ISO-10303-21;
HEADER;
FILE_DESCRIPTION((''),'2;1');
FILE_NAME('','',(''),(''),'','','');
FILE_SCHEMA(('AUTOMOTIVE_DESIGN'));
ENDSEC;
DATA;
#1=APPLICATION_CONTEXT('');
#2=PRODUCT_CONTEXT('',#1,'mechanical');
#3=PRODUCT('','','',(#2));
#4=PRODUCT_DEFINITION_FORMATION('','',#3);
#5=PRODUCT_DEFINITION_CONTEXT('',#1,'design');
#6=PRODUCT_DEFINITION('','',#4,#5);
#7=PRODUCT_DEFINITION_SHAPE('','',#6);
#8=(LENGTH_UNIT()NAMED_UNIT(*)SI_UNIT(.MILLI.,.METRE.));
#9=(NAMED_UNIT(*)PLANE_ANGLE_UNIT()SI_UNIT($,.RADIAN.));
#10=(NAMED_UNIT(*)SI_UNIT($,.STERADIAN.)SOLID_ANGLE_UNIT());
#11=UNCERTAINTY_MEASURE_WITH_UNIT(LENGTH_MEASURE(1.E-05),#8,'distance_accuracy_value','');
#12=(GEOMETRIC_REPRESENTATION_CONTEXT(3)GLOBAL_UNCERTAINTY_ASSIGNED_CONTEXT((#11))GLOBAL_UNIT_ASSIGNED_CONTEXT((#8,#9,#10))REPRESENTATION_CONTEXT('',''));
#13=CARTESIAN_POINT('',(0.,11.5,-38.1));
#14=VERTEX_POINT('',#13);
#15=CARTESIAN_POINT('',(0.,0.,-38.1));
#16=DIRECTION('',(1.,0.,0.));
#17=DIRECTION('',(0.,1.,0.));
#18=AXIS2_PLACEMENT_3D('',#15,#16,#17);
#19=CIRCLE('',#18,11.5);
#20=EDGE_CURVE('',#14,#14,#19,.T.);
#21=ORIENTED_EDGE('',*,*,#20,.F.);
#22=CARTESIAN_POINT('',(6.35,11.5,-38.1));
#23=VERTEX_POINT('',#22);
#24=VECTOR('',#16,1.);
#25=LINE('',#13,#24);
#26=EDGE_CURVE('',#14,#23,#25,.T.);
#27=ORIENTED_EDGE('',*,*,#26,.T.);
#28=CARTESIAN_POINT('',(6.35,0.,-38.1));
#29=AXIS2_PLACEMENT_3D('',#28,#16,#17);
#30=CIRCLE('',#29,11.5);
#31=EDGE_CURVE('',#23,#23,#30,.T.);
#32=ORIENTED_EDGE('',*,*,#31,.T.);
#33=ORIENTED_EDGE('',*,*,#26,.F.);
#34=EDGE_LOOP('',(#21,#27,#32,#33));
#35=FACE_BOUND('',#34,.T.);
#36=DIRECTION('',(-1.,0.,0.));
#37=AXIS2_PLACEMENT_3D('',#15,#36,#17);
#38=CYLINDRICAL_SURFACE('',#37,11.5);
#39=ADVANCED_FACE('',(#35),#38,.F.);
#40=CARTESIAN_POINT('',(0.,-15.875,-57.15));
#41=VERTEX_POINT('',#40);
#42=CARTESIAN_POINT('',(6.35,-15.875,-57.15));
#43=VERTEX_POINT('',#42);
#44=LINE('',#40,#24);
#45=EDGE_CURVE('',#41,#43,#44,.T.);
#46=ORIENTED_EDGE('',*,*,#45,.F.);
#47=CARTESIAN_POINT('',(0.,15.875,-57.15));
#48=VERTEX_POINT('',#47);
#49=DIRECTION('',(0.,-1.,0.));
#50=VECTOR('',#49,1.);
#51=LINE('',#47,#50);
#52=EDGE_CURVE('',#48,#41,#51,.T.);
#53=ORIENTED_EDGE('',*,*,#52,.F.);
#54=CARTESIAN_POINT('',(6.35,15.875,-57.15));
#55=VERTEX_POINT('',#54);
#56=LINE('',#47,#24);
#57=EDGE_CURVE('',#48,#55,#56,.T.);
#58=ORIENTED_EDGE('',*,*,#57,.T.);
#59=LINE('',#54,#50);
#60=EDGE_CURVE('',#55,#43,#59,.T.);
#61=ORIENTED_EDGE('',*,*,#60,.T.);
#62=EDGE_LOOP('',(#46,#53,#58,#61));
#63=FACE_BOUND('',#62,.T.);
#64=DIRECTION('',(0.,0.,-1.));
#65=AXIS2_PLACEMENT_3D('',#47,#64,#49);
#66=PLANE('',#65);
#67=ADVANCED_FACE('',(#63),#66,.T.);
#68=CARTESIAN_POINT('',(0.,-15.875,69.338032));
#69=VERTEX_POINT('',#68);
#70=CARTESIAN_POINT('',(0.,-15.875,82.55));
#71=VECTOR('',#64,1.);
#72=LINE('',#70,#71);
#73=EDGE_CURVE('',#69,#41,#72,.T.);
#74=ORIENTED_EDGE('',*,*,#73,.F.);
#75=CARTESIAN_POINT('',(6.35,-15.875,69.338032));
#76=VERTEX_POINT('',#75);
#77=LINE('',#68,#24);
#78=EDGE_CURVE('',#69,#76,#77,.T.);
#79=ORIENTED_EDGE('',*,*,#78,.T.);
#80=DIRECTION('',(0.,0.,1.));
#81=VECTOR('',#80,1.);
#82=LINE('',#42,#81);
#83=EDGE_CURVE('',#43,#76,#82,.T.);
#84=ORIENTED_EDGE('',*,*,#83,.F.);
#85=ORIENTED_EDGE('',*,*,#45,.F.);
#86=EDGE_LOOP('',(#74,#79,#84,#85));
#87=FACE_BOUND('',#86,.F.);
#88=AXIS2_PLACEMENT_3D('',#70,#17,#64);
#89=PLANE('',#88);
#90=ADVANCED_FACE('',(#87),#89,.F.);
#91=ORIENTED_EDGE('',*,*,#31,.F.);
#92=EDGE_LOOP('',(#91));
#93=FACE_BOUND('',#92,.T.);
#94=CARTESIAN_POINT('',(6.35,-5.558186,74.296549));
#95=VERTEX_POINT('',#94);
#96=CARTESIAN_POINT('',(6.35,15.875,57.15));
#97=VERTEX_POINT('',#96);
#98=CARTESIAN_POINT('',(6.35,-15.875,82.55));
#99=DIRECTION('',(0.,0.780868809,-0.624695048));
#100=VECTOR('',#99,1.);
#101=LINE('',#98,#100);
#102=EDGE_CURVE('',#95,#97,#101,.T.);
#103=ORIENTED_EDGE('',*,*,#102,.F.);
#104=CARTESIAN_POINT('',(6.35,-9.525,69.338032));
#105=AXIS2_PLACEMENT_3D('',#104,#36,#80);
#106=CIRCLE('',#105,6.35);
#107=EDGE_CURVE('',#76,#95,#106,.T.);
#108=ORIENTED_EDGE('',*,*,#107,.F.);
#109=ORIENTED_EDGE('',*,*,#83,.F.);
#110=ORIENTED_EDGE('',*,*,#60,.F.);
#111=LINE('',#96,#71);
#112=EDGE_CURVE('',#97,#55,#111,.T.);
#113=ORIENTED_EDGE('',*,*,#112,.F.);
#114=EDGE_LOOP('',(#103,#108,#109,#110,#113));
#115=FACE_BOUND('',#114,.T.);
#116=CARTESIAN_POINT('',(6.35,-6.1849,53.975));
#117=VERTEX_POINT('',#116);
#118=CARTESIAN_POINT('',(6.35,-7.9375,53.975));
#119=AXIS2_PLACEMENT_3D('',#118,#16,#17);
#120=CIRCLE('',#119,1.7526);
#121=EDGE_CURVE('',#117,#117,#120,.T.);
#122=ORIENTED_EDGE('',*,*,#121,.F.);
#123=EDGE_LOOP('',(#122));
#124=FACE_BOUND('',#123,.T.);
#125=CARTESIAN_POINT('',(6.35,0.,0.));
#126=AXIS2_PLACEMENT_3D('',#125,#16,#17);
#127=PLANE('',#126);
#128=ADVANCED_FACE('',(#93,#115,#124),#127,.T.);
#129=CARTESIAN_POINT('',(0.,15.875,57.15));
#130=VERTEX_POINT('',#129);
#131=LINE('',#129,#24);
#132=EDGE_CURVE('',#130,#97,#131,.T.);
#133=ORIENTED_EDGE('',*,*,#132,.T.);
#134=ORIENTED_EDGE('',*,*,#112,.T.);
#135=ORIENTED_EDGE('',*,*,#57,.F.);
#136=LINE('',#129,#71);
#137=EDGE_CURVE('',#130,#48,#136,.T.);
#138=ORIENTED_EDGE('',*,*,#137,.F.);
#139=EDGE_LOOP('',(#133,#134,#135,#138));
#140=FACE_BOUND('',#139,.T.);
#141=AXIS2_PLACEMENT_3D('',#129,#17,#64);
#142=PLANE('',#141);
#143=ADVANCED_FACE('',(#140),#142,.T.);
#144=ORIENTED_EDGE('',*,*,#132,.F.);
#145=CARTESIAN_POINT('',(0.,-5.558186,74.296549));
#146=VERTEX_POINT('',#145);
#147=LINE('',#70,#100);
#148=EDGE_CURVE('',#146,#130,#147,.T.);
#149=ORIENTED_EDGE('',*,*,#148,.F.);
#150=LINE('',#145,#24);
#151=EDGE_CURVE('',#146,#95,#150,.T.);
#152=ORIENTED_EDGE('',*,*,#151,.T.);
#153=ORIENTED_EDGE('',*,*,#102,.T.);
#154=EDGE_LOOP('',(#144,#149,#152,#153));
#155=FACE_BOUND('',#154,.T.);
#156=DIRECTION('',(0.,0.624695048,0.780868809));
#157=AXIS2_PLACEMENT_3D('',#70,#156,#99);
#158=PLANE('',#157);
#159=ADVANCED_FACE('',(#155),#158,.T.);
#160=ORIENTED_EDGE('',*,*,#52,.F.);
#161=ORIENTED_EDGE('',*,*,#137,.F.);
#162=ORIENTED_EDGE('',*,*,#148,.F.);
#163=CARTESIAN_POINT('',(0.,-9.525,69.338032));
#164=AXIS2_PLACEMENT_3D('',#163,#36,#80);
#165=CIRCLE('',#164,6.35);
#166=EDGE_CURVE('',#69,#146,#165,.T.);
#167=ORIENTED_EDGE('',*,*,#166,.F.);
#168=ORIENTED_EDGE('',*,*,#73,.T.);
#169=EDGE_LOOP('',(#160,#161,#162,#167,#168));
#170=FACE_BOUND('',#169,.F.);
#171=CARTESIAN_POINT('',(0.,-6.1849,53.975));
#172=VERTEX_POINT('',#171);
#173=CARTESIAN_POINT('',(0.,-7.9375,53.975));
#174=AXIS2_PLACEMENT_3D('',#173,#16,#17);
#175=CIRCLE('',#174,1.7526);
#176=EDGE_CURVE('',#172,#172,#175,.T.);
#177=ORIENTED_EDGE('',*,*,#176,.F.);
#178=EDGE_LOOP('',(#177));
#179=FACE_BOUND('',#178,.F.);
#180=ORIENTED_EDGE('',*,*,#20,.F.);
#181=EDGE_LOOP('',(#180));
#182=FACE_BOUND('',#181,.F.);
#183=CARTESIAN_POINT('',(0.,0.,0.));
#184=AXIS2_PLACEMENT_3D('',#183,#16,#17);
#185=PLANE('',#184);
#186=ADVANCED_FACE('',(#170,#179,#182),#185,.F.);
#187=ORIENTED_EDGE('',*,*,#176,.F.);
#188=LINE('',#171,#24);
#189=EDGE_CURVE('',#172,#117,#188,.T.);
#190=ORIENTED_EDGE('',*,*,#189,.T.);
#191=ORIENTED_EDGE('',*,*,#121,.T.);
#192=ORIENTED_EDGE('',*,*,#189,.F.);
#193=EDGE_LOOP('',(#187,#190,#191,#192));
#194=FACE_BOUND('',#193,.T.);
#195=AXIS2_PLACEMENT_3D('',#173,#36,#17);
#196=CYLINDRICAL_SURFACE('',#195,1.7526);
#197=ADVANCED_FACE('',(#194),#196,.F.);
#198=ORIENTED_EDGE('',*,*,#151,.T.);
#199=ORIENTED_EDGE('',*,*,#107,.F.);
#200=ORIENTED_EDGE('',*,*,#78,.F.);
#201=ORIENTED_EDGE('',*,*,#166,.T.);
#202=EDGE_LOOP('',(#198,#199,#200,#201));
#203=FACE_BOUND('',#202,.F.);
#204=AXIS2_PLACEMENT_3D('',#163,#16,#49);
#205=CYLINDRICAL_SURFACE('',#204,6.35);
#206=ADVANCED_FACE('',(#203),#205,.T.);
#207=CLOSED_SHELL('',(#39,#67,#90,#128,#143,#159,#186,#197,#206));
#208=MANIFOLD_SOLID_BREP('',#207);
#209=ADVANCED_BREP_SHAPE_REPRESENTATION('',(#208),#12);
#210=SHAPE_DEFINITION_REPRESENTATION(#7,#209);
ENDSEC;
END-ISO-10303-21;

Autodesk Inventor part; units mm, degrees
ref_plane "YZ Plane" through (0, 0, 0) normal (1, 0, 0) x (0, 1, 0)
ref_plane "XZ Plane" through (0, 0, 0) normal (0, 1, 0) x (-1, 0, 0)
ref_plane "XY Plane" through (0, 0, 0) normal (0, 0, 1) x (1, 0, 0)
sketch "Sketch1" plane through (0, 0, 0) normal (1, 0, 0) x (0, 1, 0)
  line L0 (-15.875, 57.15) -> (15.875, 57.15)
  line L1 (15.875, 57.15) -> (15.875, -57.15)
  line L2 (15.875, -57.15) -> (-15.875, -57.15)
  line L3 (-15.875, -57.15) -> (-15.875, 57.15)
  line L4 (-15.875, 57.15) -> (15.875, -57.15) construction
  line L5 (15.875, 57.15) -> (-15.875, -57.15) construction
  line L6 (0, 57.15) -> (0, -57.15) construction
  circle A0 centre (0, -38.1) radius 12.7 construction
  line L7 (15.875, -50.8) -> (-15.875, -50.8) construction
  line L8 (-15.875, 57.15) -> (15.875, 57.15)
  line L9 (15.875, 57.15) -> (15.875, 82.55) construction
  line L10 (15.875, 82.55) -> (-15.875, 82.55) construction
  line L11 (-15.875, 82.55) -> (-15.875, 57.15)
  line L12 (-15.875, 82.55) -> (15.875, 57.15)
  line L13 (15.875, -25.4) -> (-15.875, -25.4) construction
  circle A1 centre (-7.9375, 53.975) radius 15.875 construction
  line L14 (-23.8125, -38.1) -> (-23.8125, 53.975) construction
  circle A2 centre (-7.9375, 53.975) radius 1.7526
  circle A3 centre (0, -38.1) radius 19.2 construction
  circle A4 centre (0, -9.3) radius 9.6 construction
  circle A5 centre (0, -9.3) radius 11.5 construction
  circle A6 centre (0, -38.1) radius 11.5
  point P0 (0, 0)
  dimension "d9" = 47.625
  dimension "d16" = 31.75
  dimension "d0" = 31.75
  dimension "d1" = 114.3
  dimension "d2" = 25.4
  dimension "d7" = 25.4
  dimension "d11" = 6.35
  dimension "d17" = 92.075
  dimension "d18" = 3.5052
  dimension "d19" = 15.875
  dimension "d20" = 38.4
  dimension "d21" = 19.2
  dimension "d22" = 23
  dimension "d23" = 23
extrude "Extrusion1" add sketch "Sketch1" along normal blind 6.35
fillet "Fillet1" radius 6.35 1 edges at (3.175, -15.875, 82.55)
properties part number "Side" material "UHMW, White"
